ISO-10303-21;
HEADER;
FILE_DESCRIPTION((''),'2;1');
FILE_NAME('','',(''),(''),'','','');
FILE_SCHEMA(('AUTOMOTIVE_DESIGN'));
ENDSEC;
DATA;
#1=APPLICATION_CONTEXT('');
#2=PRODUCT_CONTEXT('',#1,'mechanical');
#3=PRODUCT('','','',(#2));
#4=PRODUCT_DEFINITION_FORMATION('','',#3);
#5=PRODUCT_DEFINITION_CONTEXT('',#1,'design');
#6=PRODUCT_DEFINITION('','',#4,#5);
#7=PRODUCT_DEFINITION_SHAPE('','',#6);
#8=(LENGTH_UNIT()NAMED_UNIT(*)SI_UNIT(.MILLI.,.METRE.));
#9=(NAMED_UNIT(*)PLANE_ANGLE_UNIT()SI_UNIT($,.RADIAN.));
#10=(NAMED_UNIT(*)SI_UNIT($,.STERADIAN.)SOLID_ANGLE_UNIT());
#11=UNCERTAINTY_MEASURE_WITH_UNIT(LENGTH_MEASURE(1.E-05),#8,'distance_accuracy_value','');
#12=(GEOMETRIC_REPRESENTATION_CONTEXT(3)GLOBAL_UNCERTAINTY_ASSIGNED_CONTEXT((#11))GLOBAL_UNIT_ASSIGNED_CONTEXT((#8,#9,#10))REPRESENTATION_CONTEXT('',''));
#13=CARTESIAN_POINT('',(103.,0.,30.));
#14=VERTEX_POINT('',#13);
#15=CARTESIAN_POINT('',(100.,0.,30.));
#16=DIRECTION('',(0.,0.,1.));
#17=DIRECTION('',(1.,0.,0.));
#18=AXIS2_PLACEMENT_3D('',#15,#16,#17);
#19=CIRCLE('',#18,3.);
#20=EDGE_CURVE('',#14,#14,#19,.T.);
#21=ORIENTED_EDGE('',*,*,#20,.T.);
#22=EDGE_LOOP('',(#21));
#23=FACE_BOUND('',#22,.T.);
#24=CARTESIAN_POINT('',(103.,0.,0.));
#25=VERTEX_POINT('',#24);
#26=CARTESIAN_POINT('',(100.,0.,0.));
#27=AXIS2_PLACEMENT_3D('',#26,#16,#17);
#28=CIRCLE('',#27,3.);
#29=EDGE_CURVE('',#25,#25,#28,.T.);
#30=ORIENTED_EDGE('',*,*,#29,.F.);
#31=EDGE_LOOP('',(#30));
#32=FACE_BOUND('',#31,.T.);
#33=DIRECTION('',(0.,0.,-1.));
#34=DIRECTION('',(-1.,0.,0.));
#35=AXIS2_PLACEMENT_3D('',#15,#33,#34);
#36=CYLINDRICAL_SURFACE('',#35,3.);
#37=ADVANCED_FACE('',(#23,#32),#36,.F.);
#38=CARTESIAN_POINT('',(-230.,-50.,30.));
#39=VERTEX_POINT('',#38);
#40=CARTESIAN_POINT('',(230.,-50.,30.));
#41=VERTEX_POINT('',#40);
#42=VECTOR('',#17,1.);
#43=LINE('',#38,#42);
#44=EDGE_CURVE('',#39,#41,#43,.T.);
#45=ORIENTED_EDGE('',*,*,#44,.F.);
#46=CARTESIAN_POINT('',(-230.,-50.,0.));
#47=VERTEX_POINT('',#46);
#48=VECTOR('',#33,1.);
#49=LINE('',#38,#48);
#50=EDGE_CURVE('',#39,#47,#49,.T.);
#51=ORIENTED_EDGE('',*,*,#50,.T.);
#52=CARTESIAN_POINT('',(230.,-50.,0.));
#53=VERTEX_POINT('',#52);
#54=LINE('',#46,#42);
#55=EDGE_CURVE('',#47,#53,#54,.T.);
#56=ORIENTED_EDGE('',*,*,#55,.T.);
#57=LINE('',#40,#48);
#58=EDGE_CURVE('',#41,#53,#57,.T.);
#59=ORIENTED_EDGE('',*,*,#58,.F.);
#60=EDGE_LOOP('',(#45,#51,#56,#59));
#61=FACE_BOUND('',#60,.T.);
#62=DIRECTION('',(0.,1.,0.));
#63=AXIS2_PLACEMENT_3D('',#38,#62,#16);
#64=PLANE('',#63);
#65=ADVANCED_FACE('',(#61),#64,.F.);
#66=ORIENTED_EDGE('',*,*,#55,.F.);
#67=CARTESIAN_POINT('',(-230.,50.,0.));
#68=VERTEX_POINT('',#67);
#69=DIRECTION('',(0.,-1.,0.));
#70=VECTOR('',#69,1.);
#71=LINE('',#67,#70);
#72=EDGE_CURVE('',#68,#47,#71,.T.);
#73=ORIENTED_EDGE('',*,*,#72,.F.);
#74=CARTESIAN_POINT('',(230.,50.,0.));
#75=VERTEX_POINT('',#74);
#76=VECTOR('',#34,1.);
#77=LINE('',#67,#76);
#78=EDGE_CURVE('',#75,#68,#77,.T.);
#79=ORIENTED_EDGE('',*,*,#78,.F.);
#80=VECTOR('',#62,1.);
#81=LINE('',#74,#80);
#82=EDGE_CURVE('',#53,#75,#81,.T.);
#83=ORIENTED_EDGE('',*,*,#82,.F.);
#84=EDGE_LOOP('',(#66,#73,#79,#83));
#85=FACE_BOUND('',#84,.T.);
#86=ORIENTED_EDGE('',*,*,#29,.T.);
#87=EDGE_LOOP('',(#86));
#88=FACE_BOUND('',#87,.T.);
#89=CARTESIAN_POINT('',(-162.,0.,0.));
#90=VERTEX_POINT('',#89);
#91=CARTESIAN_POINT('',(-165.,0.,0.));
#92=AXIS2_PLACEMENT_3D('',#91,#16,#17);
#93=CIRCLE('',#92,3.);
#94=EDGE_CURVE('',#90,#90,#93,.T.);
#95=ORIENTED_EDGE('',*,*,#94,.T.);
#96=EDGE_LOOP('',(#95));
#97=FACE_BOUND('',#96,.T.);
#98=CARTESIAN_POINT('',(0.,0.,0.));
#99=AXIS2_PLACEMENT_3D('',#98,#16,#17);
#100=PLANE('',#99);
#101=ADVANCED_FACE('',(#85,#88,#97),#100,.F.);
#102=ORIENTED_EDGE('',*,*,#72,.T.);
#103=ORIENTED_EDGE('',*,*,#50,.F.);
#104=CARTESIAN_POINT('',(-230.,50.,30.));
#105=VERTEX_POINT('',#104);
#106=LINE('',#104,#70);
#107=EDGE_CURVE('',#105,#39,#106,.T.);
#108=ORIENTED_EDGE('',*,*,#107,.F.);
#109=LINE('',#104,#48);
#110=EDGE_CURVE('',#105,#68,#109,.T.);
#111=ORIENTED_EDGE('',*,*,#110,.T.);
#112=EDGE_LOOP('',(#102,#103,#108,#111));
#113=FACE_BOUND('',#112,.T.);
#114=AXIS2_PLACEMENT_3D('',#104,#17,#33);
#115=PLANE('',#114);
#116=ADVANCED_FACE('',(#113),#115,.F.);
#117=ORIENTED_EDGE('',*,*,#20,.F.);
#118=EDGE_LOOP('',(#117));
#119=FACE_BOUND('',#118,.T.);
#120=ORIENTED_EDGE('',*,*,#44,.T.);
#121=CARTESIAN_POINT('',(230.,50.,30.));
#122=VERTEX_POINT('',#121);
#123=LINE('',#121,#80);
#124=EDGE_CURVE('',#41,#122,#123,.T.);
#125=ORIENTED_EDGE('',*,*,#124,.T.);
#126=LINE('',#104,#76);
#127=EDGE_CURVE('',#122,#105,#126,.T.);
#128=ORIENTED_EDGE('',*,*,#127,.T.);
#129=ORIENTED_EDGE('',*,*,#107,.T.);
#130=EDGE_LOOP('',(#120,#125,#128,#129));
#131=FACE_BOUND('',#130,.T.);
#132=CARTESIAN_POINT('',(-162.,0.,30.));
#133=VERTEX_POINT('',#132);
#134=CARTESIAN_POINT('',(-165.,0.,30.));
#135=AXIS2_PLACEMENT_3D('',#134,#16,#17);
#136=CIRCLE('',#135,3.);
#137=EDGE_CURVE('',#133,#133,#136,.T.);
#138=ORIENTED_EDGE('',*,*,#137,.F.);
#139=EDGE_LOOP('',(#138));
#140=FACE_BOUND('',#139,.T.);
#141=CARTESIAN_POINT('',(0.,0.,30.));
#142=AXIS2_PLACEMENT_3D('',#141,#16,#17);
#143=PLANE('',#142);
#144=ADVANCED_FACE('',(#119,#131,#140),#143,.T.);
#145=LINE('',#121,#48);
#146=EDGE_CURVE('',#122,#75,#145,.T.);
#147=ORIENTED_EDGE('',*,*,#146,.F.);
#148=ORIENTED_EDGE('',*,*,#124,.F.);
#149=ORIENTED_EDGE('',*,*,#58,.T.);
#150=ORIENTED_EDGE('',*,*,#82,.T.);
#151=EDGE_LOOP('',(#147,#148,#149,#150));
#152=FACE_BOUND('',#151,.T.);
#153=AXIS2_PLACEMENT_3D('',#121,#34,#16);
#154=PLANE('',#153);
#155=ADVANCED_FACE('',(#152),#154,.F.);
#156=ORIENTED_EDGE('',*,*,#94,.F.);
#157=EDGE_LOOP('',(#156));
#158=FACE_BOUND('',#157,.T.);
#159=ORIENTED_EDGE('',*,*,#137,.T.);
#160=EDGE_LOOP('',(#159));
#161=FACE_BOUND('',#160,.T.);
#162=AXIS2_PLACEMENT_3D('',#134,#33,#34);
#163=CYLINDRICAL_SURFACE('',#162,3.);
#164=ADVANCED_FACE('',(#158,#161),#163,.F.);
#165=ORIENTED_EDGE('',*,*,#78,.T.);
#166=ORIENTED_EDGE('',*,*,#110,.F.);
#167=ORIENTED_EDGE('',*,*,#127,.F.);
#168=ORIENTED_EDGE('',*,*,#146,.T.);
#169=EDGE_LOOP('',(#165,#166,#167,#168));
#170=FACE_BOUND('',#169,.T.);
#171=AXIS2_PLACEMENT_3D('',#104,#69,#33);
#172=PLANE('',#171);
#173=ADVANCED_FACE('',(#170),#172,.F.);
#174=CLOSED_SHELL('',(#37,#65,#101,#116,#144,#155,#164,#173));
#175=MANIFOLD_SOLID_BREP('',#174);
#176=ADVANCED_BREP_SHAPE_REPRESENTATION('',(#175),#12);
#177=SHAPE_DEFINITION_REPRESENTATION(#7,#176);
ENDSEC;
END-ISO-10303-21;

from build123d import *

# Parameters (mm, degrees)
SKETCH1_W           = 460
SKETCH1_H           = 100
BOSS_EXTRUDE1_DEPTH = 30
SKETCH2_R           = 3
CUT_EXTRUDE1_DEPTH  = 238.276210354


with BuildPart() as part:
    # Sketch1 → Boss-Extrude1 (new body)
    with BuildSketch(Plane.XY):
        Rectangle(SKETCH1_W, SKETCH1_H)
    extrude(amount=BOSS_EXTRUDE1_DEPTH)

    # Sketch2 → Cut-Extrude1 (cut, through all)
    with BuildSketch(Plane.XY):
        with Locations((100, 0)):
            Circle(SKETCH2_R)
        with Locations((-165, 0)):
            Circle(SKETCH2_R)
    extrude(amount=CUT_EXTRUDE1_DEPTH, mode=Mode.SUBTRACT)


solid = part.part
